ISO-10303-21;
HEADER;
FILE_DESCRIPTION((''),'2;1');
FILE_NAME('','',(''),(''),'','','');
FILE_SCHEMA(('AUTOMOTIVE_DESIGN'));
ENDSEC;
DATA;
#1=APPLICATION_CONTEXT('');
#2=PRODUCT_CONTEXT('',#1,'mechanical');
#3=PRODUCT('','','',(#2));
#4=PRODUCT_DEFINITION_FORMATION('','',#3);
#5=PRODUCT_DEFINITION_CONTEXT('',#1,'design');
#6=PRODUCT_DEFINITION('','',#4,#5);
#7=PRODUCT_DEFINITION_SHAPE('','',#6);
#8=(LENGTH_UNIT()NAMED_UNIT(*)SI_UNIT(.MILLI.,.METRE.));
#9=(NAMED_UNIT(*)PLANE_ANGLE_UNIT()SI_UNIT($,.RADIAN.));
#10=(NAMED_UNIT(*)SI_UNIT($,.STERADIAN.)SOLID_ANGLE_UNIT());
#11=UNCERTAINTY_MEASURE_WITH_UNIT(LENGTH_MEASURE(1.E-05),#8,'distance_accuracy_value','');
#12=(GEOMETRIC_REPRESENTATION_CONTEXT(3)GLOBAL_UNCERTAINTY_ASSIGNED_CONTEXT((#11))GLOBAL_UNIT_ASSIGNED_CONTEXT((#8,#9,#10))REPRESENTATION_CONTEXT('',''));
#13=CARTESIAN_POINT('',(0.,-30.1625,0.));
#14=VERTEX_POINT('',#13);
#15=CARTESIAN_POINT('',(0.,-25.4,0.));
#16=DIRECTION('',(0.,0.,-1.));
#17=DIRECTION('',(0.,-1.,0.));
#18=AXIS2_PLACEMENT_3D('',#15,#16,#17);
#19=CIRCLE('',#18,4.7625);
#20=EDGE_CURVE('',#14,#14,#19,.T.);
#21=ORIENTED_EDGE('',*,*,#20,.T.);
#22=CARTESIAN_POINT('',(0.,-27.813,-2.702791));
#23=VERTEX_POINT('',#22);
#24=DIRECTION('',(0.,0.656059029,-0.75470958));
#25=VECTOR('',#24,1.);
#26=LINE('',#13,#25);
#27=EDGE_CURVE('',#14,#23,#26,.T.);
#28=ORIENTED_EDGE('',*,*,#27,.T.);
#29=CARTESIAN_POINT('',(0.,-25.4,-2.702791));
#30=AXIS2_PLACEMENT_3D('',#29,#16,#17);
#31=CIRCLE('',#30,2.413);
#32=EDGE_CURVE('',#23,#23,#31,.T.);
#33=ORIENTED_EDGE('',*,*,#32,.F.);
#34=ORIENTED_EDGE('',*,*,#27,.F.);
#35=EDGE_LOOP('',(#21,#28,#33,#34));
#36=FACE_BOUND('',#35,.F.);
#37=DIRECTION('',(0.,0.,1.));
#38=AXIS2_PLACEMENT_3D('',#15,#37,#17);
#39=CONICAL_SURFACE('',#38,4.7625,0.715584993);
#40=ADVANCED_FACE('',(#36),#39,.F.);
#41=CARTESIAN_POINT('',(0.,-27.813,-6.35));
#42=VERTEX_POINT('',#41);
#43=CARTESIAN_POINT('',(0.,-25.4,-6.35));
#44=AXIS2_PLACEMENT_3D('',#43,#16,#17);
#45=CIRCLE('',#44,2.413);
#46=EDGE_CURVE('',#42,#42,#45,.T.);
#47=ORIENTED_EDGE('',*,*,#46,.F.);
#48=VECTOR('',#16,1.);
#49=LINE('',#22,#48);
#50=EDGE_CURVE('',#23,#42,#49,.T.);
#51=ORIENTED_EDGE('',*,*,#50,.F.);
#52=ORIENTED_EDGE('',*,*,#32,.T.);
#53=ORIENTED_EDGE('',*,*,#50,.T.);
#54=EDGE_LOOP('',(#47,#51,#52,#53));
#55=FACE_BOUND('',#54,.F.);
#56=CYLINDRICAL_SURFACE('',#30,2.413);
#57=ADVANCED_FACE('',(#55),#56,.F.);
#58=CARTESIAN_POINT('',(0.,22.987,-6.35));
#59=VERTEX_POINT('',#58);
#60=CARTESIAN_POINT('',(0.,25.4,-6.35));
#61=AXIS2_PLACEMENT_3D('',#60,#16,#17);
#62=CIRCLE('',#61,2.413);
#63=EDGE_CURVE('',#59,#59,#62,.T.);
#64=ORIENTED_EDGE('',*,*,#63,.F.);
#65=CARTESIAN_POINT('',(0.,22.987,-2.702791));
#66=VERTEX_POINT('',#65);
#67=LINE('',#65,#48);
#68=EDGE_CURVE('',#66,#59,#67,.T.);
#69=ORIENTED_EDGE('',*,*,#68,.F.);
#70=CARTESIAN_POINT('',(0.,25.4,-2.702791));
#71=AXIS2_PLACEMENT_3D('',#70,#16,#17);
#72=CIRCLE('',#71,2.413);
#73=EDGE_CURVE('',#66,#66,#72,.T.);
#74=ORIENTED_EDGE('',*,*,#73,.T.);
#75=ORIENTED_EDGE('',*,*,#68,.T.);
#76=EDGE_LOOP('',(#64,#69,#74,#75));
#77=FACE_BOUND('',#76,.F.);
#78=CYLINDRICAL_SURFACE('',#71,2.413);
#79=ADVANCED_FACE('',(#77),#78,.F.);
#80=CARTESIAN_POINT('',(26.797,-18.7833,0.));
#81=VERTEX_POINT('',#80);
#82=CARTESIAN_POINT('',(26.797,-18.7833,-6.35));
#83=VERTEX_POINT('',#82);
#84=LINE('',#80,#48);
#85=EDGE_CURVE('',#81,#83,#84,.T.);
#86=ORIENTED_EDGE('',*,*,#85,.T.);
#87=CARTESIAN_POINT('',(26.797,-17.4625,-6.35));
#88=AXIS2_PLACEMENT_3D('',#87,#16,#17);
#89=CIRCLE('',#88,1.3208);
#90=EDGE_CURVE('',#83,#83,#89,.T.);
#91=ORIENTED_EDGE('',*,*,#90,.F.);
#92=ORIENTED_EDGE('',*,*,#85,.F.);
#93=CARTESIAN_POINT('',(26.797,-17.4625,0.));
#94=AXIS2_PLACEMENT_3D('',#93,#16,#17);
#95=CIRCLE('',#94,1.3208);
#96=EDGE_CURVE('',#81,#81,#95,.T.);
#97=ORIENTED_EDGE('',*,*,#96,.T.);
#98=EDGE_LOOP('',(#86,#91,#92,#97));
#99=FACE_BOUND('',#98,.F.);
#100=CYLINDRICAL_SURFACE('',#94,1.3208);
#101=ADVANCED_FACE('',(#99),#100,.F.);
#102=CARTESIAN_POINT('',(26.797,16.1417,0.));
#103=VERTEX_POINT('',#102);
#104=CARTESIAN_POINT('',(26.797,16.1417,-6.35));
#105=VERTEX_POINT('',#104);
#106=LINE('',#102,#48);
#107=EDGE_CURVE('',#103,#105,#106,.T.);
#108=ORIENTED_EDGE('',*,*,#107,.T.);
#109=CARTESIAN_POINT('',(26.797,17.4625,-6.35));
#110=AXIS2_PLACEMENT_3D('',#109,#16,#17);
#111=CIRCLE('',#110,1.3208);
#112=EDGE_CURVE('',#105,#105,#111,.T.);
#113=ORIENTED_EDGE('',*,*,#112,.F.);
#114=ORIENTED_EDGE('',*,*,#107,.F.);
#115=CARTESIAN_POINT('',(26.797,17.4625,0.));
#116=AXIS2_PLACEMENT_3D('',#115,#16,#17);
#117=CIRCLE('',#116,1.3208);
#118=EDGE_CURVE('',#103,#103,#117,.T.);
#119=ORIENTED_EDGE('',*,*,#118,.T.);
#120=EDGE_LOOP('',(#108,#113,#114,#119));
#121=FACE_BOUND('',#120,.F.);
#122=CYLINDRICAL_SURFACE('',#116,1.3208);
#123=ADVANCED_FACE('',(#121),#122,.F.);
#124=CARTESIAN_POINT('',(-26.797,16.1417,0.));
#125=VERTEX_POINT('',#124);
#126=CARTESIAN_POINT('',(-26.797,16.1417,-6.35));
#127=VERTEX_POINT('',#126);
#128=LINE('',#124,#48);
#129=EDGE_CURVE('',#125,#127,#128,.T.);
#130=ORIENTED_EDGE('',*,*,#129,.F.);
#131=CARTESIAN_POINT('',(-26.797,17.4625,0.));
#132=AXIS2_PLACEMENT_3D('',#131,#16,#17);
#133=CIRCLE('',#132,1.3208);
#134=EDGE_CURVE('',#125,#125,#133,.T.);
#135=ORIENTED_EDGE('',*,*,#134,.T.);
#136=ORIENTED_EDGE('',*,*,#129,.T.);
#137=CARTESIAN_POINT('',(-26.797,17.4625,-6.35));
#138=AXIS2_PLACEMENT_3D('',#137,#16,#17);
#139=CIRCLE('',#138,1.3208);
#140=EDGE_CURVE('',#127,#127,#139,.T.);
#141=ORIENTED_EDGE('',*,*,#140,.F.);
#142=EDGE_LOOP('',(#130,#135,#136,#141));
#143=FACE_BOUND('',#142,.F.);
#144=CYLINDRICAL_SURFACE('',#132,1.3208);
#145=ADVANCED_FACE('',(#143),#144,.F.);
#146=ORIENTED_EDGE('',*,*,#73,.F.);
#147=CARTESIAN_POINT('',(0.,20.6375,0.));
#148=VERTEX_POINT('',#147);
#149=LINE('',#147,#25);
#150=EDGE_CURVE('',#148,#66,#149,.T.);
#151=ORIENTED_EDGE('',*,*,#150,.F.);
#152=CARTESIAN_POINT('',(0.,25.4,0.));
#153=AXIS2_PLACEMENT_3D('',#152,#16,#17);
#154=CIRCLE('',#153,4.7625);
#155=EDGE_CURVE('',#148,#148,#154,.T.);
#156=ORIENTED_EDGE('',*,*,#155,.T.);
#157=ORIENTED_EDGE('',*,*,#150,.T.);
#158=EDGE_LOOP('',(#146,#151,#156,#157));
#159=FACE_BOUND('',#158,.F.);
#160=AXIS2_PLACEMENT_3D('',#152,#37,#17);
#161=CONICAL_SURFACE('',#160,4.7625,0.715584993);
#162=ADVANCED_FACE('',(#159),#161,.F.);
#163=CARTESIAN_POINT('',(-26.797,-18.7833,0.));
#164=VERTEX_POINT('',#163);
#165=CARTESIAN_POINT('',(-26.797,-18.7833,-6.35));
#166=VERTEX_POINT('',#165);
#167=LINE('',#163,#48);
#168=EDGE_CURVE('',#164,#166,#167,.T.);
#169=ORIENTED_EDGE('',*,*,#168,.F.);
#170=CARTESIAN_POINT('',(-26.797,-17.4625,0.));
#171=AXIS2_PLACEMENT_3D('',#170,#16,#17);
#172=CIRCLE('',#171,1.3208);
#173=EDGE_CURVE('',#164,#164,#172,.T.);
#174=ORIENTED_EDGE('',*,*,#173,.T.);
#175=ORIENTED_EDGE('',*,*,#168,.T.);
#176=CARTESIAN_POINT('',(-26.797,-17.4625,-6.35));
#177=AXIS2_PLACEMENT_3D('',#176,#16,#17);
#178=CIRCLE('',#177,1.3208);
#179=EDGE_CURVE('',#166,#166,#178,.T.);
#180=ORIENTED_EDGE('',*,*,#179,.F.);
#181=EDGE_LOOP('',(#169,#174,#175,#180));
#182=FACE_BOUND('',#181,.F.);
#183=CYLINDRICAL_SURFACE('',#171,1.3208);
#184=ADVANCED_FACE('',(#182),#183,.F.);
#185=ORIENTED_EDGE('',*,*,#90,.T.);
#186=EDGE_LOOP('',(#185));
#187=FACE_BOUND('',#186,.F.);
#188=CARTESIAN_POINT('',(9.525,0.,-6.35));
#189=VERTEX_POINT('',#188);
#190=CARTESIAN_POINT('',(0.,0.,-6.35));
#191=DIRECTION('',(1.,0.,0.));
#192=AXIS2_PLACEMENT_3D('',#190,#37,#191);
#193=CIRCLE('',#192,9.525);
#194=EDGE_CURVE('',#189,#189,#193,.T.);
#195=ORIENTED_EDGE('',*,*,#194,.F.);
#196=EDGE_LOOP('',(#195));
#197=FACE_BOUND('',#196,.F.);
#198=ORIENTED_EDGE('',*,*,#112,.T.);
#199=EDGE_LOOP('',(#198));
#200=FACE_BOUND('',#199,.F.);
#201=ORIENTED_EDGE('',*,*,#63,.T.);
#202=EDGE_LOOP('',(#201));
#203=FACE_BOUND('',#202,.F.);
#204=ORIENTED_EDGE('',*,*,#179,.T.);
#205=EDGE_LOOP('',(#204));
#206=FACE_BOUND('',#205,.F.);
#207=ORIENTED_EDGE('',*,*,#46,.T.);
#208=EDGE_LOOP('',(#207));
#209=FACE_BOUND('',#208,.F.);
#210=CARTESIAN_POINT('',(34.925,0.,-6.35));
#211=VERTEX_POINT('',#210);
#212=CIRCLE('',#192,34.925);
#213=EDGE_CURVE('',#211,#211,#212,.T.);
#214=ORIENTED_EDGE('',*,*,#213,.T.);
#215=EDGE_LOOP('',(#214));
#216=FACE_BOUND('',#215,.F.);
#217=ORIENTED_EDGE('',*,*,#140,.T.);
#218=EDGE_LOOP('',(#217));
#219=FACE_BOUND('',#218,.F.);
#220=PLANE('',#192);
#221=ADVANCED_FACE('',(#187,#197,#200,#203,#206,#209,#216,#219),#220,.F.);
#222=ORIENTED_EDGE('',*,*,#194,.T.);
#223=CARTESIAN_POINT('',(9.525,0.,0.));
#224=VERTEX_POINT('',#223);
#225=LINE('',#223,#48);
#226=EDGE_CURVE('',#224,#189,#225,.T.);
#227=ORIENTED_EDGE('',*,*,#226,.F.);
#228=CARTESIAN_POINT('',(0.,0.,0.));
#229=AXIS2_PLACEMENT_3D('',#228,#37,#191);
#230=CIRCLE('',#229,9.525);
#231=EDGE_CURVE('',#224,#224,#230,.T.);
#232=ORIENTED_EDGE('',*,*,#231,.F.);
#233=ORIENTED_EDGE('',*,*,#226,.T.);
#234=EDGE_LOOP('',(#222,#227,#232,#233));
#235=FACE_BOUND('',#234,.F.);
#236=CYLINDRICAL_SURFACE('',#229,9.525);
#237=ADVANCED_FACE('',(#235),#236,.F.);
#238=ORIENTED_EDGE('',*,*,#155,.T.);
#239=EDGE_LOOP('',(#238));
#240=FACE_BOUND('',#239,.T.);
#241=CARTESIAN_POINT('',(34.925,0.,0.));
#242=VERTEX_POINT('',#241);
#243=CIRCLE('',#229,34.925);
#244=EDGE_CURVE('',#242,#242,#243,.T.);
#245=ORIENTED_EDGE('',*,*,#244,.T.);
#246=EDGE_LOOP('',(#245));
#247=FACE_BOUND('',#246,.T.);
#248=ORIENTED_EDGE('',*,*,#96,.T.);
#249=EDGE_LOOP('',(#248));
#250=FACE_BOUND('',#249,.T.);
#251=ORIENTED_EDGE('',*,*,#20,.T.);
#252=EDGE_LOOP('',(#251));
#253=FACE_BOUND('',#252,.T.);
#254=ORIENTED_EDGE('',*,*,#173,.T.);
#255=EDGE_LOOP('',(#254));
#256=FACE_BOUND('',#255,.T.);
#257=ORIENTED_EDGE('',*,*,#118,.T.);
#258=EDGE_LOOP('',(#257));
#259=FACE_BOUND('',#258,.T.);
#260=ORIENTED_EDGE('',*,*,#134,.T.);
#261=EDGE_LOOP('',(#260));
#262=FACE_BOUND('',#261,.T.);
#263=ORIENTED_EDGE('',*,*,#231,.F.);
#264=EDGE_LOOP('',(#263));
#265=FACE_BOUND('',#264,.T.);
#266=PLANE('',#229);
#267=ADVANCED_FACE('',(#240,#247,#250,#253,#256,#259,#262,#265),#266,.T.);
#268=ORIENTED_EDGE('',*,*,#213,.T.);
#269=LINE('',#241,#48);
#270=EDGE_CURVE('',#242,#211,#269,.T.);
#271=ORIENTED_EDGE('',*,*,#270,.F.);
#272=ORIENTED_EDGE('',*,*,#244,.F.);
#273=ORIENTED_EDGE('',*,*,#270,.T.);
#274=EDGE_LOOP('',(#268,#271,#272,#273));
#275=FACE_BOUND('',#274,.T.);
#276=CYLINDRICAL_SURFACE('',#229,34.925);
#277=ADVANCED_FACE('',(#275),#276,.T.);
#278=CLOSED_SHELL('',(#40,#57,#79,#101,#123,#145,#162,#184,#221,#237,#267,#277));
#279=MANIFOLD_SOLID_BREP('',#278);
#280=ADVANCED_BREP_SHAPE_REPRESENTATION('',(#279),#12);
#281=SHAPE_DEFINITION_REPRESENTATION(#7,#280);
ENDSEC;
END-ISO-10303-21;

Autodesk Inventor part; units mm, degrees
ref_plane "YZ Plane" through (0, 0, 0) normal (1, 0, 0) x (0, 1, 0)
ref_plane "XZ Plane" through (0, 0, 0) normal (0, 1, 0) x (-1, 0, 0)
ref_plane "XY Plane" through (0, 0, 0) normal (0, 0, 1) x (1, 0, 0)
sketch "Sketch1" plane through (0, 0, 0) normal (0, 0, 1) x (1, 0, 0)
  circle A0 centre (0, 0) radius 34.925
  circle A1 centre (0, 0) radius 9.525
  point P0 (0, 25.4)
  point P1 (0, -25.4)
  point P2 (-26.797, -17.4625)
  point P3 (-26.797, 17.4625)
  point P4 (26.797, 17.4625)
  point P5 (26.797, -17.4625)
  dimension "d0" = 69.85
  dimension "d1" = 19.05
  dimension "d2" = 25.4
  dimension "d3" = 25.4
  dimension "d4" = 26.797
  dimension "d5" = 17.4625
  dimension "d6" = 17.4625
  dimension "d7" = 26.797
extrude "Extrusion1" add sketch "Sketch1" against normal blind 6.35
hole "Hole1" at (-26.797, -17.4625, 0) at (-26.797, 17.4625, 0) at (26.797, 17.4625, 0) at (26.797, -17.4625, 0) direction (0, 0, -1) diameter 2.6416 end through all thread size "6-32 UNC" class "2B" standard "ANSI Unified Screw Threads"
hole "Hole2" at (0, 25.4, 0) at (0, -25.4, 0) direction (0, 0, -1) diameter 4.826 end through all countersink diameter 9.525 countersink angle 82
properties part number "Dewalt Drill Drive CIMmotor Adaptor"
